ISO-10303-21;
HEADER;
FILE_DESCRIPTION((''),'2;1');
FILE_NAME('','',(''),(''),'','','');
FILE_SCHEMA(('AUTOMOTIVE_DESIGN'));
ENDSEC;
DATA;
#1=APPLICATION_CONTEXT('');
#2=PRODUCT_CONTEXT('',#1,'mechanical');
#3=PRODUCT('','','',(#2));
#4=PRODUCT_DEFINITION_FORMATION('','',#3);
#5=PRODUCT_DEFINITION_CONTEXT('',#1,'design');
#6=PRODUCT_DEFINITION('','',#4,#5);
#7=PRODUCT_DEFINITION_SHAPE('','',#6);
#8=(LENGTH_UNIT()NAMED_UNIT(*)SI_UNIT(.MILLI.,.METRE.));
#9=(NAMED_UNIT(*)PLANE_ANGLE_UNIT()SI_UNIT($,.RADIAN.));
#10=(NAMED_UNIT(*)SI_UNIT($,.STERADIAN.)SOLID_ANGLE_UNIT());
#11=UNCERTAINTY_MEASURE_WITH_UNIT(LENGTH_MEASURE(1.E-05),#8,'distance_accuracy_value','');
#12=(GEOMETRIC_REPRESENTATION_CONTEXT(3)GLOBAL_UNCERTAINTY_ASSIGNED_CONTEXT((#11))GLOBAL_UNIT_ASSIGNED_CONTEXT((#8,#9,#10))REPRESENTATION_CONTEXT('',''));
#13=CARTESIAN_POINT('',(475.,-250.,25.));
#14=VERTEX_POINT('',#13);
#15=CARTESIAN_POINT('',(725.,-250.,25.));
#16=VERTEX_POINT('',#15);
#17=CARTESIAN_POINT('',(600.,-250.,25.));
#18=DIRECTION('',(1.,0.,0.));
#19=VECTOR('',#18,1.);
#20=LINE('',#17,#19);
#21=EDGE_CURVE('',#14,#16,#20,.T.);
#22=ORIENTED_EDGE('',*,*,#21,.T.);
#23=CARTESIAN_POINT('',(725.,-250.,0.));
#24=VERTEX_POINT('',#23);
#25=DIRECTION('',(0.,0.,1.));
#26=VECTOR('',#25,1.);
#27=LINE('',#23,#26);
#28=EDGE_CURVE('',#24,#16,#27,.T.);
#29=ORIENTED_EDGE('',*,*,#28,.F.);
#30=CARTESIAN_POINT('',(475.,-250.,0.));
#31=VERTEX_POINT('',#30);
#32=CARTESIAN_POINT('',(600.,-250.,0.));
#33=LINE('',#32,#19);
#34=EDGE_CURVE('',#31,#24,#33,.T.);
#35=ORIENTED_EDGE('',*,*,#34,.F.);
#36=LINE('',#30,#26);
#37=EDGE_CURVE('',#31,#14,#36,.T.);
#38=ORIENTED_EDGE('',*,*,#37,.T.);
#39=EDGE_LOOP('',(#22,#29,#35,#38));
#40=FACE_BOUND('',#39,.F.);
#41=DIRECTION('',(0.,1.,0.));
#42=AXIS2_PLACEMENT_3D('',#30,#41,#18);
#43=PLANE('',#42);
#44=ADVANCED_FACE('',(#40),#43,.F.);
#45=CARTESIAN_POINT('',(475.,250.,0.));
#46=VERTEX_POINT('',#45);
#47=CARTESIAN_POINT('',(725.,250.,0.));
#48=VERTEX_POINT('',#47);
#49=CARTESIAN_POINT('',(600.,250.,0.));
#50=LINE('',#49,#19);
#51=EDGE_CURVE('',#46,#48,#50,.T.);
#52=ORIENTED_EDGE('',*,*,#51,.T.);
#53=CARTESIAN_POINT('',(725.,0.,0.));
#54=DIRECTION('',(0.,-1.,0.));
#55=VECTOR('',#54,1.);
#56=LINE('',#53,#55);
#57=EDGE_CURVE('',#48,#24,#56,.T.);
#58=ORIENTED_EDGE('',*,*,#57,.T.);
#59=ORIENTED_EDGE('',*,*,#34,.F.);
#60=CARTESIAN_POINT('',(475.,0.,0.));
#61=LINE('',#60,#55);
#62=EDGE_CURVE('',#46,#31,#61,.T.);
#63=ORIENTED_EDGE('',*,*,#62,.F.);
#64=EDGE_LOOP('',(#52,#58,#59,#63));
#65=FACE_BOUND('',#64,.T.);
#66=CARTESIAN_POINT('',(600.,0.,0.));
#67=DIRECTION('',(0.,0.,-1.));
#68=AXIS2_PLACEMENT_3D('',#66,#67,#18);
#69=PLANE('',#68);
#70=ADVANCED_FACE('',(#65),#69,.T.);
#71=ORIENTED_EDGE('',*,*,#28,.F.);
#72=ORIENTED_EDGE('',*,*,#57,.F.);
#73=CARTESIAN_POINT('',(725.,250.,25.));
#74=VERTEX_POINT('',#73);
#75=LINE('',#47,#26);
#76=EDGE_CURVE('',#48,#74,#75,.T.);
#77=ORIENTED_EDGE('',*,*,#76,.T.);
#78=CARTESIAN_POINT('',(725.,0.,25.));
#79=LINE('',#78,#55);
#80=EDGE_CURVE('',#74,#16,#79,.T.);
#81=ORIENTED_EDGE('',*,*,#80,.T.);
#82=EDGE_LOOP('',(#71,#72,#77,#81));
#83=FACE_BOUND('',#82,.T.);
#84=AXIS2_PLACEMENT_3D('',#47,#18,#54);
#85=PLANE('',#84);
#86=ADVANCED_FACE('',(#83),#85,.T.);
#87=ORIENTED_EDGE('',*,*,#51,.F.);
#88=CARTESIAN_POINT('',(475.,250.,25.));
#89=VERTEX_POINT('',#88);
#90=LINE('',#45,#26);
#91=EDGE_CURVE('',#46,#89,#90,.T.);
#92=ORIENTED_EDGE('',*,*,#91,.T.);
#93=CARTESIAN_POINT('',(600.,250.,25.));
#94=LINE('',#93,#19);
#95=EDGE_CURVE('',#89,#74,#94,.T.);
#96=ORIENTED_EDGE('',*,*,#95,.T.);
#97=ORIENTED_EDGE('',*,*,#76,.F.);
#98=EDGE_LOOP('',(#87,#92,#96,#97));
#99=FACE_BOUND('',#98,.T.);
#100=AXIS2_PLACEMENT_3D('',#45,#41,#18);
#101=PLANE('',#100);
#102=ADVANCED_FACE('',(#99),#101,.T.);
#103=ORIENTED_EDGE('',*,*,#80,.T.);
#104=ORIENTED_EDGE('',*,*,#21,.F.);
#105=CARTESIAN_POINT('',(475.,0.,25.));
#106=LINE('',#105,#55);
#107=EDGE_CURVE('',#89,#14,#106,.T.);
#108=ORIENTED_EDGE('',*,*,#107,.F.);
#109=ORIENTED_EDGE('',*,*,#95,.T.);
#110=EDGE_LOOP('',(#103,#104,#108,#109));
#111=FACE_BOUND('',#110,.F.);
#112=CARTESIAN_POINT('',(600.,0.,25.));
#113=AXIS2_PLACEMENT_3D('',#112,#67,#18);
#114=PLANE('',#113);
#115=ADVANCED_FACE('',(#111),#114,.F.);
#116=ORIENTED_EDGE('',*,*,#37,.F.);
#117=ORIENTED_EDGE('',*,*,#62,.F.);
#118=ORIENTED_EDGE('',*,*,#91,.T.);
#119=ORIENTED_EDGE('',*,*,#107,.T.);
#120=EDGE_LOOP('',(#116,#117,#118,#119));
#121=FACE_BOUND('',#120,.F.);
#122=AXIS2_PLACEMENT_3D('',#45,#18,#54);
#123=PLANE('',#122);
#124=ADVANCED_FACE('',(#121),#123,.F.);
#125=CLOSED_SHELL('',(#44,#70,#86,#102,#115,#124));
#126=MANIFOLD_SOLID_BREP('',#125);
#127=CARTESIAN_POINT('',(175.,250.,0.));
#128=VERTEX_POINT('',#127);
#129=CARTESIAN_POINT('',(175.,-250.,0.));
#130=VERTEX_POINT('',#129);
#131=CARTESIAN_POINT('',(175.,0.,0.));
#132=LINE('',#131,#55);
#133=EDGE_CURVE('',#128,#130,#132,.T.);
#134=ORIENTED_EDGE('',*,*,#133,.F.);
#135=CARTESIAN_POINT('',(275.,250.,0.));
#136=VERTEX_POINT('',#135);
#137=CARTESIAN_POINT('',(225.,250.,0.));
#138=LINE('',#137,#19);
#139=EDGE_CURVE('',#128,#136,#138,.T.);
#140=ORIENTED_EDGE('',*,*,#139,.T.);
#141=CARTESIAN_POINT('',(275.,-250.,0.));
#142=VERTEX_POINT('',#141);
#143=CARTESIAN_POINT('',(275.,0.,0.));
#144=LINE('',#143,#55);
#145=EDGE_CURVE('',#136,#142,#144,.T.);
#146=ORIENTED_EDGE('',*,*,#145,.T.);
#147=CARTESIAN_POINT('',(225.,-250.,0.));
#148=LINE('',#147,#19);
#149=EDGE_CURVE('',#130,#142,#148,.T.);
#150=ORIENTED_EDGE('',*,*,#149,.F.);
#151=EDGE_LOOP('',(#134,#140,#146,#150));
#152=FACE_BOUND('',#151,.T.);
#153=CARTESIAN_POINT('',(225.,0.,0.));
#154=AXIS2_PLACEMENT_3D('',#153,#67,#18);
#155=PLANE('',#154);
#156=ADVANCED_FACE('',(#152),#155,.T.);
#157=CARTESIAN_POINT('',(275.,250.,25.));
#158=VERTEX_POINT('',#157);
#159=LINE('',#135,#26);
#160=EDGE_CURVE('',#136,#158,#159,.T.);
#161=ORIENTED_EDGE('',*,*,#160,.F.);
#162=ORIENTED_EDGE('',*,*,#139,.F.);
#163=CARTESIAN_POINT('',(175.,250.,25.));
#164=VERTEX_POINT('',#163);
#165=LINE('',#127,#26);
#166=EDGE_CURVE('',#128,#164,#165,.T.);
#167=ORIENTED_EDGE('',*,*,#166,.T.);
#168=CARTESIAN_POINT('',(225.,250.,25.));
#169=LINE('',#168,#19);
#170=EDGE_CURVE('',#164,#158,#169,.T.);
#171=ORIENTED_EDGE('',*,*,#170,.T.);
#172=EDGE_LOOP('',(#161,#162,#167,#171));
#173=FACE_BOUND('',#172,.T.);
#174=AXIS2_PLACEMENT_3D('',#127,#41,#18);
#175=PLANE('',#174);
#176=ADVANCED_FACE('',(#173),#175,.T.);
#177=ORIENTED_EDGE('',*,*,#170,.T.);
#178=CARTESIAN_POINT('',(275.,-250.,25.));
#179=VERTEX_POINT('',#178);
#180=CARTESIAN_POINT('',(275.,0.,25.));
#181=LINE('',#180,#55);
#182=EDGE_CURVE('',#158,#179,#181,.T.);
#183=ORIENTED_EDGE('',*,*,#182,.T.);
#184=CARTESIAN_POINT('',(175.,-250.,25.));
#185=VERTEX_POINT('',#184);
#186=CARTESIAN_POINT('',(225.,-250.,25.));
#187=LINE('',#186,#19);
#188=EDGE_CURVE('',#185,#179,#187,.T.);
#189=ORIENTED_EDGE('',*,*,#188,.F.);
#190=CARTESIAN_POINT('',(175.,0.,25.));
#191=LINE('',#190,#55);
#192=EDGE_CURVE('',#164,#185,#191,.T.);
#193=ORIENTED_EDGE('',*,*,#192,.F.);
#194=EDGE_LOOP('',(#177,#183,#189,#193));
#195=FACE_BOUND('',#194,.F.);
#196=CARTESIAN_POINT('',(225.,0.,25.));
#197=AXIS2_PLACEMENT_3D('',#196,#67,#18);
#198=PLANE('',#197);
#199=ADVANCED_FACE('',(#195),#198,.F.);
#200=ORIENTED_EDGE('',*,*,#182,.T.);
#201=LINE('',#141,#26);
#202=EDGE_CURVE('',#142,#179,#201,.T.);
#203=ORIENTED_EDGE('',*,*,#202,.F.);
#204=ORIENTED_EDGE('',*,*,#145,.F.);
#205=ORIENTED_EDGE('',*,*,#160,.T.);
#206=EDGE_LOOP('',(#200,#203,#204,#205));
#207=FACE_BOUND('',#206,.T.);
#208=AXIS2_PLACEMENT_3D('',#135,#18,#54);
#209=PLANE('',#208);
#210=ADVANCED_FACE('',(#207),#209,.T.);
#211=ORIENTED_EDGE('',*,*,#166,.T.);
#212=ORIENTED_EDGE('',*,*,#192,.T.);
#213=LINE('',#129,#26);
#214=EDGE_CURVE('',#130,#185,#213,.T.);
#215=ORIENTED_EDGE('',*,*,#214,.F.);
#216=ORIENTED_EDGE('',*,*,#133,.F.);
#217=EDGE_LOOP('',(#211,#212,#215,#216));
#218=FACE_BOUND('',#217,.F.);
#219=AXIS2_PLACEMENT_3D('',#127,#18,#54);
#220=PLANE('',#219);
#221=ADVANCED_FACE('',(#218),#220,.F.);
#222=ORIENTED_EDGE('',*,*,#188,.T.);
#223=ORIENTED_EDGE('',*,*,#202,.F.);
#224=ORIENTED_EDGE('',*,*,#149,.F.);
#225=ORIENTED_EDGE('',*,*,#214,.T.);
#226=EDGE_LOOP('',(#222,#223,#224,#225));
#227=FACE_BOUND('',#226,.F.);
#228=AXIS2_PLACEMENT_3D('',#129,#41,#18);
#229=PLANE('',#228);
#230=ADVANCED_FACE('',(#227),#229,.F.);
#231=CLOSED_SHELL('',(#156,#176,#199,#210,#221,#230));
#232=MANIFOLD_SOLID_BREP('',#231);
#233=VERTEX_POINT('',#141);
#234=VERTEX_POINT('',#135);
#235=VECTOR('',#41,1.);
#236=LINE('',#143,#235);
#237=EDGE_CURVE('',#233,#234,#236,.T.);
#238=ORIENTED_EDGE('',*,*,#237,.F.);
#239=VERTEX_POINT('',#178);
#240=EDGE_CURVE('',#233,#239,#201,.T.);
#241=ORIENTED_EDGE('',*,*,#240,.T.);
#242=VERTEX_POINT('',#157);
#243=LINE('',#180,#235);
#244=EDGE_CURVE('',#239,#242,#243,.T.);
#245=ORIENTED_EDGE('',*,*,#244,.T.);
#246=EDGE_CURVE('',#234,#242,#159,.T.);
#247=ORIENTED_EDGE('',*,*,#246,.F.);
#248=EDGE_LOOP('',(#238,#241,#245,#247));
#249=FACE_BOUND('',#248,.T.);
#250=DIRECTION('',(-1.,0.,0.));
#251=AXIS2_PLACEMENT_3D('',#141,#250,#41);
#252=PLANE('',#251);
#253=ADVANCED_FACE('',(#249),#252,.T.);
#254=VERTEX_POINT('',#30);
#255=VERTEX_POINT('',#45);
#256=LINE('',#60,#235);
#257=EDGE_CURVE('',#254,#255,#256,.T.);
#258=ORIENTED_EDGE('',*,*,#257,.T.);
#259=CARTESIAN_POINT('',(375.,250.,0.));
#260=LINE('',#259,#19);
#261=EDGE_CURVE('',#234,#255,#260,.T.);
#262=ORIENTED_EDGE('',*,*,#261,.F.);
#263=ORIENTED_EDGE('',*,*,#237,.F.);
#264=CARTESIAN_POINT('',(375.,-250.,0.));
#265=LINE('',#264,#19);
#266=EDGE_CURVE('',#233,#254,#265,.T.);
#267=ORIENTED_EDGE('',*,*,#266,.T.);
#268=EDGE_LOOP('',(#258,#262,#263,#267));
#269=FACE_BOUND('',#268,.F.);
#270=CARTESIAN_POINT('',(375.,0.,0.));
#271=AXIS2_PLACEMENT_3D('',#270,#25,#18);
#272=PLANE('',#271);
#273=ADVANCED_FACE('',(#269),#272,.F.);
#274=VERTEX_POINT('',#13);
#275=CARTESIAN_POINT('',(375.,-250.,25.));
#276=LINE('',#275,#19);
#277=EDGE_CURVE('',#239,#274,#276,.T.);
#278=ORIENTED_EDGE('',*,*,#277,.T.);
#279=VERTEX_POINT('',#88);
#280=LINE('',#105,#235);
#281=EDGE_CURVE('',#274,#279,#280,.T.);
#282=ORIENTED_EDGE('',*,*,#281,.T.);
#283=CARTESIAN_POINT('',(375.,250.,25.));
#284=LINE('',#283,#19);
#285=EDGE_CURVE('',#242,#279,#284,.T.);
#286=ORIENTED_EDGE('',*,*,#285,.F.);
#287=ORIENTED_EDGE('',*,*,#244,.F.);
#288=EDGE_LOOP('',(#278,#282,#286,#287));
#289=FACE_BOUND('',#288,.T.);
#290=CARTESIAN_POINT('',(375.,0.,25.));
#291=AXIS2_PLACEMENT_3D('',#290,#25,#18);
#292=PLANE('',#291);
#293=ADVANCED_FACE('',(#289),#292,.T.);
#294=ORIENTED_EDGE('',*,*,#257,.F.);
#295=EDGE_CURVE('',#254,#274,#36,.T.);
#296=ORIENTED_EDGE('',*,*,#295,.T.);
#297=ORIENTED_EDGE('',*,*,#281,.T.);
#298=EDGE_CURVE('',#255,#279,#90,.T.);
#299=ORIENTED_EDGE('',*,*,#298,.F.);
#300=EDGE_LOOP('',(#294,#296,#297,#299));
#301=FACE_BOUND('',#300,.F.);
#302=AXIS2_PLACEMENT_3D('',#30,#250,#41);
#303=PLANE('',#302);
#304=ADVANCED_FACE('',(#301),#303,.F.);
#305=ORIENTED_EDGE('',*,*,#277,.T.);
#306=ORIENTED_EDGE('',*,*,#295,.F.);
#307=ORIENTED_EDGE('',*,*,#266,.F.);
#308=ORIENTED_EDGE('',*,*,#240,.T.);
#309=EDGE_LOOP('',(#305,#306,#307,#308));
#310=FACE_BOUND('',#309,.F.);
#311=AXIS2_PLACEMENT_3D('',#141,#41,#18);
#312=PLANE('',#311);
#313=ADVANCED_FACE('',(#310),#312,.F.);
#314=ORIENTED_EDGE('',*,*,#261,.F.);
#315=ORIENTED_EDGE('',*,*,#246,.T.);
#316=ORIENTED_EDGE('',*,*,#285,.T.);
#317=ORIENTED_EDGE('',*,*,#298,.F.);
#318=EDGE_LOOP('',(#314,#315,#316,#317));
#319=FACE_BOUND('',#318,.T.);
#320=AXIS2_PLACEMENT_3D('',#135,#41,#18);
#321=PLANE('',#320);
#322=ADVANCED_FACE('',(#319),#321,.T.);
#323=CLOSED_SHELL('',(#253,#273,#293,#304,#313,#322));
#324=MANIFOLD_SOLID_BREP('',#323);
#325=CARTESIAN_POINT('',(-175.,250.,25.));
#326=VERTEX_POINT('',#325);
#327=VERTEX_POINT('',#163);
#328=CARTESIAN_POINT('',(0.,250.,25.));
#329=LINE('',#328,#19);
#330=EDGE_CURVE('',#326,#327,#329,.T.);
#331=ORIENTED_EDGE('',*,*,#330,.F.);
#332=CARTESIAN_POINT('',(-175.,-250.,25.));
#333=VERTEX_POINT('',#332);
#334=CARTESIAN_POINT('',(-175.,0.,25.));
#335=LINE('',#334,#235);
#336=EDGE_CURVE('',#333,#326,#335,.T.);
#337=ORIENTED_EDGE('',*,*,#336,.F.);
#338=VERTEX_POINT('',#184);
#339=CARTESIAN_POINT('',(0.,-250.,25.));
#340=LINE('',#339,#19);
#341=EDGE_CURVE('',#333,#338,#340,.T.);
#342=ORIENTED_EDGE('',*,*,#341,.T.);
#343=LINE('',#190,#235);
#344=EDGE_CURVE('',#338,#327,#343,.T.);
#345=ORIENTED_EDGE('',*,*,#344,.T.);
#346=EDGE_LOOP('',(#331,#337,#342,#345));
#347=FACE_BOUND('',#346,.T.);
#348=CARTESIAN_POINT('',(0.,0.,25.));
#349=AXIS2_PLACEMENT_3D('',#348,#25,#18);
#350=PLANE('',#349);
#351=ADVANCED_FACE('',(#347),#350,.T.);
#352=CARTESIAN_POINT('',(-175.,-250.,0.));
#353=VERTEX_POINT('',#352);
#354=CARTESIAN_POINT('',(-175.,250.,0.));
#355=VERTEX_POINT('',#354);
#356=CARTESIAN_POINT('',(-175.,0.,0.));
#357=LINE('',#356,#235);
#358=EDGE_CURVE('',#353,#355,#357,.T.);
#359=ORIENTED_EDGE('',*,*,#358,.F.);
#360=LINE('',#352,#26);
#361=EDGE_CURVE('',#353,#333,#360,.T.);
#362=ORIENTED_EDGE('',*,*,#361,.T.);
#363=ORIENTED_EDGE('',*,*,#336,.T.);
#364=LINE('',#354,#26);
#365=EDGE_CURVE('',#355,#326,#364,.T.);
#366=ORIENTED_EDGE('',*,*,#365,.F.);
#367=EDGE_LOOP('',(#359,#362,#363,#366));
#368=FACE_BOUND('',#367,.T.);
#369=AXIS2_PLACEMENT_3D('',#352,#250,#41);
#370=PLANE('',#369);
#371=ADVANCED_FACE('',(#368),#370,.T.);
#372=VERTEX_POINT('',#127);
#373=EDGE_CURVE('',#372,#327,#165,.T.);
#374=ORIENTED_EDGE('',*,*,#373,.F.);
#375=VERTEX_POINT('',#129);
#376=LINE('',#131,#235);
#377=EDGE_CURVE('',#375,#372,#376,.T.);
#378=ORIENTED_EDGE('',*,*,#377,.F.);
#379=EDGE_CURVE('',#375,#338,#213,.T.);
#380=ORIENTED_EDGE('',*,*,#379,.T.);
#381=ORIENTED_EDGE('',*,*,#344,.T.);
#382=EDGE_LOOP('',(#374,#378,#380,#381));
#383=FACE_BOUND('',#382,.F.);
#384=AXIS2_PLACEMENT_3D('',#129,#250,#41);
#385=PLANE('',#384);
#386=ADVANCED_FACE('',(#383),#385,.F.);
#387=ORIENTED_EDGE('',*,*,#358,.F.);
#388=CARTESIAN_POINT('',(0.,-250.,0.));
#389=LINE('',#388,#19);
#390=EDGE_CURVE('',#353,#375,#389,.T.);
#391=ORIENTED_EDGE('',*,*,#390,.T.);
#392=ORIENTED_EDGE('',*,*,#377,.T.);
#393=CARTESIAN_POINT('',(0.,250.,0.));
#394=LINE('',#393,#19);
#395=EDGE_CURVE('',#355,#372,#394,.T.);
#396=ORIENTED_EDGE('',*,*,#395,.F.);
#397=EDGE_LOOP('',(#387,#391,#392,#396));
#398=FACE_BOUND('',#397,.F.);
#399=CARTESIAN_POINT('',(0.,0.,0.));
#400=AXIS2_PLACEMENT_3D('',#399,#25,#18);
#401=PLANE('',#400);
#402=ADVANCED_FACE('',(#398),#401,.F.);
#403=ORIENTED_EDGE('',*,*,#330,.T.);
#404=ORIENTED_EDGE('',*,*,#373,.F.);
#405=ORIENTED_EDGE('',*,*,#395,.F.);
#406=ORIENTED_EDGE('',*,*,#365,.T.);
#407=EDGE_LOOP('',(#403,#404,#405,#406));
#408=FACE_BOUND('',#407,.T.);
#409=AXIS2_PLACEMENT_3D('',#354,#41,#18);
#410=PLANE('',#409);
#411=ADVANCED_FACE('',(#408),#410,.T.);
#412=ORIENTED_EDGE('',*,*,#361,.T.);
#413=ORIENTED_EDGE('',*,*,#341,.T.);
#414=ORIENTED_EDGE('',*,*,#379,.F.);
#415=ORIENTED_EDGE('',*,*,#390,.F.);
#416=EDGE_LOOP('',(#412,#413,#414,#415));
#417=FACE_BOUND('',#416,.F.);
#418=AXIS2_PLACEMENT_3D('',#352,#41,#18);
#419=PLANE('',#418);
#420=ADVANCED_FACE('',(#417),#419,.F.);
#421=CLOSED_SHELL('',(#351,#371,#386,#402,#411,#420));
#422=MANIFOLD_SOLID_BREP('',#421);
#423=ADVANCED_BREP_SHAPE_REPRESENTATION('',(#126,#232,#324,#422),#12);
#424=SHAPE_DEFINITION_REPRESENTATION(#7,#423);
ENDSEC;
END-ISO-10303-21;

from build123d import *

# Parameters (mm, degrees)
F0_W     = 350
F0_H     = 500
F1_DEPTH = 25
F2_W     = 100
F2_H     = 500
F3_DEPTH = 25
F4_W     = 200
F4_H     = 500
F5_DEPTH = 25
F6_W     = 250
F6_H     = 500
F7_DEPTH = 25


with BuildPart() as f1:
    # F0 (on Top) → F1 (new body)
    with BuildSketch(Plane.XY):
        Rectangle(F0_W, F0_H)
    extrude(amount=F1_DEPTH)


with BuildPart() as f3:
    # F2 (on face) → F3 (new body)
    with BuildSketch(Plane(origin=(0, 0, 0), x_dir=(1, 0, 0), z_dir=(0, 0, -1))):
        with Locations((225, 0)):
            Rectangle(F2_W, F2_H)
    extrude(amount=-F3_DEPTH)


with BuildPart() as f5:
    # F4 (on Top) → F5 (new body)
    with BuildSketch(Plane.XY):
        with Locations((375, 0)):
            Rectangle(F4_W, F4_H)
    extrude(amount=F5_DEPTH)


with BuildPart() as f7:
    # F6 (on face) → F7 (new body)
    with BuildSketch(Plane(origin=(0, 0, 0), x_dir=(1, 0, 0), z_dir=(0, 0, -1))):
        with Locations((600, 0)):
            Rectangle(F6_W, F6_H)
    extrude(amount=-F7_DEPTH)


solid = Compound([f1.part, f3.part, f5.part, f7.part])
